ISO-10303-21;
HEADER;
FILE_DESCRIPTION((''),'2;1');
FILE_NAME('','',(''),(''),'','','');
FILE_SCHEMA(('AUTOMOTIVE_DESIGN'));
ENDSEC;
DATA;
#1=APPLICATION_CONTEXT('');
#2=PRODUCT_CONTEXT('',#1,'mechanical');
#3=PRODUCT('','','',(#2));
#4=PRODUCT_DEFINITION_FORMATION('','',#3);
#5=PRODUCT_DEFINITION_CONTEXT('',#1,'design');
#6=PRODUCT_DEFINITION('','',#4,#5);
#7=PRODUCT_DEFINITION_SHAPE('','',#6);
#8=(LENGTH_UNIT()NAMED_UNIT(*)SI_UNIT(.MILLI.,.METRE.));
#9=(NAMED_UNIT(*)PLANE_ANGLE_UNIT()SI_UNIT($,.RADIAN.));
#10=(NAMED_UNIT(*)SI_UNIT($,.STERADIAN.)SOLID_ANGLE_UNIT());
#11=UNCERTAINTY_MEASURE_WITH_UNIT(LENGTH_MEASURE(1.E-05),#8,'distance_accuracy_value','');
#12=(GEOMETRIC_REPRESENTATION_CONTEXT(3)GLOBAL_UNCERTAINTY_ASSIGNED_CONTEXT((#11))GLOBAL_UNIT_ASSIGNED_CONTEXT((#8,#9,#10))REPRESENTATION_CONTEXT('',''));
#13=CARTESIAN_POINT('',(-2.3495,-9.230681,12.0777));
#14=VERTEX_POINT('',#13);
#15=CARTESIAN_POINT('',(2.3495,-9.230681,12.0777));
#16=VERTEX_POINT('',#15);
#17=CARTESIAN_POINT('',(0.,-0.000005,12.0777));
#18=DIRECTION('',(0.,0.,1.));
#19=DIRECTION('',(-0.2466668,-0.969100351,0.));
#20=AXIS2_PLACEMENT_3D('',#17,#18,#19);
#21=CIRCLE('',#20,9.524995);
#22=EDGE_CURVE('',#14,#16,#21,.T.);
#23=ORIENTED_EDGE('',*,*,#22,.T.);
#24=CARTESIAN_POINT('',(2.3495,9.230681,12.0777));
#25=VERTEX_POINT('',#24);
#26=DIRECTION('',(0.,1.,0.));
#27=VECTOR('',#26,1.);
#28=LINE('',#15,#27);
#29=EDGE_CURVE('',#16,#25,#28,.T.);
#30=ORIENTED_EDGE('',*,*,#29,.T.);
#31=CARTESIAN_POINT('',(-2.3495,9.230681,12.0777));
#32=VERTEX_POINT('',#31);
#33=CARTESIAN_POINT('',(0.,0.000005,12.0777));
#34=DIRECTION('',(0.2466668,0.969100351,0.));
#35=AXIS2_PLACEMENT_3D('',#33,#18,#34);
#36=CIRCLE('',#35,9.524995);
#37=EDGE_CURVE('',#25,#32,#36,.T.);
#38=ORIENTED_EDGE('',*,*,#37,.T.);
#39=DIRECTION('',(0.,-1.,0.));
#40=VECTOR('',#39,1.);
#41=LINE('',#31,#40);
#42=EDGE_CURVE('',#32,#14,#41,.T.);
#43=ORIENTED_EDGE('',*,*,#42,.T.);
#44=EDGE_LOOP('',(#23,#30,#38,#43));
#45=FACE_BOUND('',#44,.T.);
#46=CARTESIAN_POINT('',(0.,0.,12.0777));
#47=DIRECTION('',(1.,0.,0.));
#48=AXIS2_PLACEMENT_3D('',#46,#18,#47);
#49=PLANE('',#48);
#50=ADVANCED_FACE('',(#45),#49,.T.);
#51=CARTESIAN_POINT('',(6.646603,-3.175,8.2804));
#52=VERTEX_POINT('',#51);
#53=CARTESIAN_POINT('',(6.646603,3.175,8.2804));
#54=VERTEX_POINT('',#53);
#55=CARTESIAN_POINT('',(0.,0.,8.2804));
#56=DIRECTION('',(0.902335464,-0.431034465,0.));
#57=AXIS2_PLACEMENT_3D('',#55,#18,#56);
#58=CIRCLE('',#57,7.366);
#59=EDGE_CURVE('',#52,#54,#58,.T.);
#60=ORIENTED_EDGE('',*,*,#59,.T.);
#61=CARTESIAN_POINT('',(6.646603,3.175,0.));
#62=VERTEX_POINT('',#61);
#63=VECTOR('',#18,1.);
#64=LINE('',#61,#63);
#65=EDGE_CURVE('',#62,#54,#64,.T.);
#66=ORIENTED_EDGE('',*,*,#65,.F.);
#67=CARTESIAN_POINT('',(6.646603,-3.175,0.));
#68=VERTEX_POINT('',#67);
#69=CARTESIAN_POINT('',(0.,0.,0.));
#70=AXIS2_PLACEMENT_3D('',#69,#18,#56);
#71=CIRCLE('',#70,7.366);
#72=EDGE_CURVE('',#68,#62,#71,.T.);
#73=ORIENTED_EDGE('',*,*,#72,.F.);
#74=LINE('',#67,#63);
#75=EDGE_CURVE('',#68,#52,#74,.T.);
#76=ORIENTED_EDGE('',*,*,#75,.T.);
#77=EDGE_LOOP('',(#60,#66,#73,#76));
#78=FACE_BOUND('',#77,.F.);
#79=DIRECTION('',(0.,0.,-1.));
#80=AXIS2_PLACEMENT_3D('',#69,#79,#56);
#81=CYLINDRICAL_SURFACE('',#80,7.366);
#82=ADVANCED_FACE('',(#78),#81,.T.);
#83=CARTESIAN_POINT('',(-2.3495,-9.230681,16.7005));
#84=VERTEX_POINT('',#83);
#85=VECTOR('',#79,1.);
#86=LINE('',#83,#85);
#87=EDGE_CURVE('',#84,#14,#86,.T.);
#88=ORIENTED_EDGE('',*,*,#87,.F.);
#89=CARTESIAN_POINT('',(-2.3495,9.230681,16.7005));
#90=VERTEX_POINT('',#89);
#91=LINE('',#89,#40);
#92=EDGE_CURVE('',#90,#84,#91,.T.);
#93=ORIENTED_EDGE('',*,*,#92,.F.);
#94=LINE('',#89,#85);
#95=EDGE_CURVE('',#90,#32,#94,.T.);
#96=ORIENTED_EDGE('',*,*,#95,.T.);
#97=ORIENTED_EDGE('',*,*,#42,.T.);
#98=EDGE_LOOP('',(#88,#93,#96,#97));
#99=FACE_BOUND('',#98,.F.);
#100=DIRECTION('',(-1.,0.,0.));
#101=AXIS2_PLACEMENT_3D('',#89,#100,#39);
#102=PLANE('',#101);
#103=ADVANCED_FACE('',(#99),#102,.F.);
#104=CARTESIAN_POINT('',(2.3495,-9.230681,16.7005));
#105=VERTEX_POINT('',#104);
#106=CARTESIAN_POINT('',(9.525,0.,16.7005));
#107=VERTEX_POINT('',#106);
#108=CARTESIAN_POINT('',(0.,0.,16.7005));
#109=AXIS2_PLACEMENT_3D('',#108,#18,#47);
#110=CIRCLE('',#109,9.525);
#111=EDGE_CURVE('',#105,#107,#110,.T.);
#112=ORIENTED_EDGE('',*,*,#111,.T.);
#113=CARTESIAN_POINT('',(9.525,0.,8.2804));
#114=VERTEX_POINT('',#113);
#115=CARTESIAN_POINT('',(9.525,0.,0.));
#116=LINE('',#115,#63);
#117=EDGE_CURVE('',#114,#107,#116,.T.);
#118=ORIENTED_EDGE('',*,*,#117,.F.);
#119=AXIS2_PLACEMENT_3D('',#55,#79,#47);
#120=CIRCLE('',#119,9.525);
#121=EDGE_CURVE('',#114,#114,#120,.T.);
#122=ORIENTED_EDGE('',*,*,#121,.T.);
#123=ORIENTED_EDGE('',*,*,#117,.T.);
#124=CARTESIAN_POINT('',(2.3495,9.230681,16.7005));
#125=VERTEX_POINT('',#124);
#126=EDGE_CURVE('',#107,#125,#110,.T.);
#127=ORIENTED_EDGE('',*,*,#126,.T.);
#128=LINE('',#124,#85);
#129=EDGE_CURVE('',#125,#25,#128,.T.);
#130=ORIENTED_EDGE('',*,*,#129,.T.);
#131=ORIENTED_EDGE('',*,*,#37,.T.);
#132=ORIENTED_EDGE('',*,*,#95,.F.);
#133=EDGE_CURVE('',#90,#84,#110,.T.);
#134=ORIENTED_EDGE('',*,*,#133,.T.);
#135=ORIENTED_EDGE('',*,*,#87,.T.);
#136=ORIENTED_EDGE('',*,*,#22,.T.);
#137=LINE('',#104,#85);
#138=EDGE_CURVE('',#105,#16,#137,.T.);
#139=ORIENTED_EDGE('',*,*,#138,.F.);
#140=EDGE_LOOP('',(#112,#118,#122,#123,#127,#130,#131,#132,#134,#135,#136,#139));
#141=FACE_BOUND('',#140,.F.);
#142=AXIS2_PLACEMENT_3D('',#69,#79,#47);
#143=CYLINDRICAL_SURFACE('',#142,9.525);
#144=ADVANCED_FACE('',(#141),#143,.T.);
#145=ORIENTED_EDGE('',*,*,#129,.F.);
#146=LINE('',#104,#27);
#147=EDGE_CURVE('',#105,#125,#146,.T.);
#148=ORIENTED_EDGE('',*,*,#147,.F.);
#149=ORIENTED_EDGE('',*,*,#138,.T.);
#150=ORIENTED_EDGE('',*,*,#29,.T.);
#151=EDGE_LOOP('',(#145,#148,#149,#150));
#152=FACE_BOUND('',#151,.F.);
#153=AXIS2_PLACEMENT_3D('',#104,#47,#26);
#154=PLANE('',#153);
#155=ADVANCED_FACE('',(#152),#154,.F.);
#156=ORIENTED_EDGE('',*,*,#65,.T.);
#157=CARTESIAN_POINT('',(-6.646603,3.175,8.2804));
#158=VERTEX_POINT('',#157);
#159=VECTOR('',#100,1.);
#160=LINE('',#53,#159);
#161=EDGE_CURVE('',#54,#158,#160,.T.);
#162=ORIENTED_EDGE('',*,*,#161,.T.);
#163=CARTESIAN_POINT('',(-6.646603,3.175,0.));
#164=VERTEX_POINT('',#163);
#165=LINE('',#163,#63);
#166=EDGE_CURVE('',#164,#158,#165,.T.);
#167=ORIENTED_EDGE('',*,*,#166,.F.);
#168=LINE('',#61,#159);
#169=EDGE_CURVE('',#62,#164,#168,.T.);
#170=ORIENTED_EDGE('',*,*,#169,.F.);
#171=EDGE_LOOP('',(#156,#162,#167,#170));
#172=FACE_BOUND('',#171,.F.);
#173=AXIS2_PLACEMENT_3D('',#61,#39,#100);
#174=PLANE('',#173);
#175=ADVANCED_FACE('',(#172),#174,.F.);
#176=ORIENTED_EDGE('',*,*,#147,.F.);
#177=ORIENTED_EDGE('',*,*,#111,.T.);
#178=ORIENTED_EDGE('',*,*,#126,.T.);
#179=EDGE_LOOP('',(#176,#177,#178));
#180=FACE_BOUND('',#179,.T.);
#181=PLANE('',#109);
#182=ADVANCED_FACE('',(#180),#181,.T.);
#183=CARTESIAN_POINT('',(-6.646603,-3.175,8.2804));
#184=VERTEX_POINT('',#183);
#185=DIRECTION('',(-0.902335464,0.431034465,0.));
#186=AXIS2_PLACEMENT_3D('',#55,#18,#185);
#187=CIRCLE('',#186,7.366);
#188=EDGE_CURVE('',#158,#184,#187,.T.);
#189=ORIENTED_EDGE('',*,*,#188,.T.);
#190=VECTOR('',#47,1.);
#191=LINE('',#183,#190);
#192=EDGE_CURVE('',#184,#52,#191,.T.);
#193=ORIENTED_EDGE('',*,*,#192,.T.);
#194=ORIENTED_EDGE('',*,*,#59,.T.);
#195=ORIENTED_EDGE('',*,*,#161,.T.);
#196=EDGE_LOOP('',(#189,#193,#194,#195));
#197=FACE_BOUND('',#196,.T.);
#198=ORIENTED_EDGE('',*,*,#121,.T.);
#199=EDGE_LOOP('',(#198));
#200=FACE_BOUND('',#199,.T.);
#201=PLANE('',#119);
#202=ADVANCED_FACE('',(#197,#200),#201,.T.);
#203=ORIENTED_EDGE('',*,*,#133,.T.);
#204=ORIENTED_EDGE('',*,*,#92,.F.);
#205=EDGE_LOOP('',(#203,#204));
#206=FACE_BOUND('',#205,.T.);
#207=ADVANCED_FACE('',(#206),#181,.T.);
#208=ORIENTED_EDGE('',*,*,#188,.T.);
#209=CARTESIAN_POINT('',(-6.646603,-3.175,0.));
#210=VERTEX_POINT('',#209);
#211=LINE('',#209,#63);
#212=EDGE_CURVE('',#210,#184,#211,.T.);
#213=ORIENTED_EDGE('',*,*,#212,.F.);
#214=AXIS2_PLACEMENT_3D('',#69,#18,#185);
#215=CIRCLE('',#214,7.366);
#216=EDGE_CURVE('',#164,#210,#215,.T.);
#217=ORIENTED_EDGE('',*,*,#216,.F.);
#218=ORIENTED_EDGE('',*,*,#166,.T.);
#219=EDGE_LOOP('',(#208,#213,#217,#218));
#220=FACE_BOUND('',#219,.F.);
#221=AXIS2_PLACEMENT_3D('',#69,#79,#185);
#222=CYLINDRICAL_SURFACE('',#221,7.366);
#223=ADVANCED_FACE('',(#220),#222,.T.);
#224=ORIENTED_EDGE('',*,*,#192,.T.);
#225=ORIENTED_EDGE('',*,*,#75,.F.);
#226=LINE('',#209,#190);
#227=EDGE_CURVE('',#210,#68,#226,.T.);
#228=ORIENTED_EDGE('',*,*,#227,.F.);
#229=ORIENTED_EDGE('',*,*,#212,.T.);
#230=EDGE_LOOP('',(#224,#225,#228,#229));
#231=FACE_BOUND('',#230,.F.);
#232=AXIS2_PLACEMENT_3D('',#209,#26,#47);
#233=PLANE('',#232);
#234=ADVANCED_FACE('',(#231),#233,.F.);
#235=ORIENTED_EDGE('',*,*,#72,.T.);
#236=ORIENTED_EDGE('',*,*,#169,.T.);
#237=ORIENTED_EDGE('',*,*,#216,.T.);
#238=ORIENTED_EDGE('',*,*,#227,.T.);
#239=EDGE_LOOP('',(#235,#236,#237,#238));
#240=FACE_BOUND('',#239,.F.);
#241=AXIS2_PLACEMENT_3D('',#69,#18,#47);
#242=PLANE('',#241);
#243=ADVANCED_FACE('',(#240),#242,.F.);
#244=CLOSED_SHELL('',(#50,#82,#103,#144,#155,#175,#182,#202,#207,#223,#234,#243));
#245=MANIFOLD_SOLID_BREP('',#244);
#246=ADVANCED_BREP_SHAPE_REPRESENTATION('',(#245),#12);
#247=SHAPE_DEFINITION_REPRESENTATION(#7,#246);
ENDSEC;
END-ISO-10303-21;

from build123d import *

# Parameters (mm, degrees)
F0_R     = 9.525
F1_DEPTH = 16.7005
F3_DEPTH = 4.6228
F4_R     = 9.525
F5_DEPTH = 8.2804


with BuildPart() as f1:
    # F0 (on Top) → F1 (new body)
    with BuildSketch(Plane.XY):
        Circle(F0_R)
    extrude(amount=F1_DEPTH)

    # F2 (on face) → F3 (cut)
    with BuildSketch(Plane.XY.offset(16.7005)):
        with BuildLine():
            ThreePointArc((2.3495, 9.230681), (0, 9.525), (-2.3495, 9.230681))
            Line((-2.3495, 9.230681), (-2.3495, -9.230681))
            ThreePointArc((-2.3495, -9.230681), (0, -9.525), (2.3495, -9.230681))
            Line((2.3495, -9.230681), (2.3495, 9.230681))
        make_face()
    extrude(amount=-F3_DEPTH, mode=Mode.SUBTRACT)

    # F4 (on face) → F5 (cut)
    with BuildSketch(Plane(origin=(0, 0, 0), x_dir=(1, 0, 0), z_dir=(0, 0, -1))):
        Circle(F4_R)
        with BuildLine():
            ThreePointArc((-6.646603, -3.175), (-7.366, 0), (-6.646603, 3.175))
            Line((-6.646603, 3.175), (6.646603, 3.175))
            ThreePointArc((6.646603, 3.175), (7.366, 0), (6.646603, -3.175))
            Line((6.646603, -3.175), (-6.646603, -3.175))
        make_face(mode=Mode.SUBTRACT)
    extrude(amount=-F5_DEPTH, mode=Mode.SUBTRACT)


solid = f1.part
